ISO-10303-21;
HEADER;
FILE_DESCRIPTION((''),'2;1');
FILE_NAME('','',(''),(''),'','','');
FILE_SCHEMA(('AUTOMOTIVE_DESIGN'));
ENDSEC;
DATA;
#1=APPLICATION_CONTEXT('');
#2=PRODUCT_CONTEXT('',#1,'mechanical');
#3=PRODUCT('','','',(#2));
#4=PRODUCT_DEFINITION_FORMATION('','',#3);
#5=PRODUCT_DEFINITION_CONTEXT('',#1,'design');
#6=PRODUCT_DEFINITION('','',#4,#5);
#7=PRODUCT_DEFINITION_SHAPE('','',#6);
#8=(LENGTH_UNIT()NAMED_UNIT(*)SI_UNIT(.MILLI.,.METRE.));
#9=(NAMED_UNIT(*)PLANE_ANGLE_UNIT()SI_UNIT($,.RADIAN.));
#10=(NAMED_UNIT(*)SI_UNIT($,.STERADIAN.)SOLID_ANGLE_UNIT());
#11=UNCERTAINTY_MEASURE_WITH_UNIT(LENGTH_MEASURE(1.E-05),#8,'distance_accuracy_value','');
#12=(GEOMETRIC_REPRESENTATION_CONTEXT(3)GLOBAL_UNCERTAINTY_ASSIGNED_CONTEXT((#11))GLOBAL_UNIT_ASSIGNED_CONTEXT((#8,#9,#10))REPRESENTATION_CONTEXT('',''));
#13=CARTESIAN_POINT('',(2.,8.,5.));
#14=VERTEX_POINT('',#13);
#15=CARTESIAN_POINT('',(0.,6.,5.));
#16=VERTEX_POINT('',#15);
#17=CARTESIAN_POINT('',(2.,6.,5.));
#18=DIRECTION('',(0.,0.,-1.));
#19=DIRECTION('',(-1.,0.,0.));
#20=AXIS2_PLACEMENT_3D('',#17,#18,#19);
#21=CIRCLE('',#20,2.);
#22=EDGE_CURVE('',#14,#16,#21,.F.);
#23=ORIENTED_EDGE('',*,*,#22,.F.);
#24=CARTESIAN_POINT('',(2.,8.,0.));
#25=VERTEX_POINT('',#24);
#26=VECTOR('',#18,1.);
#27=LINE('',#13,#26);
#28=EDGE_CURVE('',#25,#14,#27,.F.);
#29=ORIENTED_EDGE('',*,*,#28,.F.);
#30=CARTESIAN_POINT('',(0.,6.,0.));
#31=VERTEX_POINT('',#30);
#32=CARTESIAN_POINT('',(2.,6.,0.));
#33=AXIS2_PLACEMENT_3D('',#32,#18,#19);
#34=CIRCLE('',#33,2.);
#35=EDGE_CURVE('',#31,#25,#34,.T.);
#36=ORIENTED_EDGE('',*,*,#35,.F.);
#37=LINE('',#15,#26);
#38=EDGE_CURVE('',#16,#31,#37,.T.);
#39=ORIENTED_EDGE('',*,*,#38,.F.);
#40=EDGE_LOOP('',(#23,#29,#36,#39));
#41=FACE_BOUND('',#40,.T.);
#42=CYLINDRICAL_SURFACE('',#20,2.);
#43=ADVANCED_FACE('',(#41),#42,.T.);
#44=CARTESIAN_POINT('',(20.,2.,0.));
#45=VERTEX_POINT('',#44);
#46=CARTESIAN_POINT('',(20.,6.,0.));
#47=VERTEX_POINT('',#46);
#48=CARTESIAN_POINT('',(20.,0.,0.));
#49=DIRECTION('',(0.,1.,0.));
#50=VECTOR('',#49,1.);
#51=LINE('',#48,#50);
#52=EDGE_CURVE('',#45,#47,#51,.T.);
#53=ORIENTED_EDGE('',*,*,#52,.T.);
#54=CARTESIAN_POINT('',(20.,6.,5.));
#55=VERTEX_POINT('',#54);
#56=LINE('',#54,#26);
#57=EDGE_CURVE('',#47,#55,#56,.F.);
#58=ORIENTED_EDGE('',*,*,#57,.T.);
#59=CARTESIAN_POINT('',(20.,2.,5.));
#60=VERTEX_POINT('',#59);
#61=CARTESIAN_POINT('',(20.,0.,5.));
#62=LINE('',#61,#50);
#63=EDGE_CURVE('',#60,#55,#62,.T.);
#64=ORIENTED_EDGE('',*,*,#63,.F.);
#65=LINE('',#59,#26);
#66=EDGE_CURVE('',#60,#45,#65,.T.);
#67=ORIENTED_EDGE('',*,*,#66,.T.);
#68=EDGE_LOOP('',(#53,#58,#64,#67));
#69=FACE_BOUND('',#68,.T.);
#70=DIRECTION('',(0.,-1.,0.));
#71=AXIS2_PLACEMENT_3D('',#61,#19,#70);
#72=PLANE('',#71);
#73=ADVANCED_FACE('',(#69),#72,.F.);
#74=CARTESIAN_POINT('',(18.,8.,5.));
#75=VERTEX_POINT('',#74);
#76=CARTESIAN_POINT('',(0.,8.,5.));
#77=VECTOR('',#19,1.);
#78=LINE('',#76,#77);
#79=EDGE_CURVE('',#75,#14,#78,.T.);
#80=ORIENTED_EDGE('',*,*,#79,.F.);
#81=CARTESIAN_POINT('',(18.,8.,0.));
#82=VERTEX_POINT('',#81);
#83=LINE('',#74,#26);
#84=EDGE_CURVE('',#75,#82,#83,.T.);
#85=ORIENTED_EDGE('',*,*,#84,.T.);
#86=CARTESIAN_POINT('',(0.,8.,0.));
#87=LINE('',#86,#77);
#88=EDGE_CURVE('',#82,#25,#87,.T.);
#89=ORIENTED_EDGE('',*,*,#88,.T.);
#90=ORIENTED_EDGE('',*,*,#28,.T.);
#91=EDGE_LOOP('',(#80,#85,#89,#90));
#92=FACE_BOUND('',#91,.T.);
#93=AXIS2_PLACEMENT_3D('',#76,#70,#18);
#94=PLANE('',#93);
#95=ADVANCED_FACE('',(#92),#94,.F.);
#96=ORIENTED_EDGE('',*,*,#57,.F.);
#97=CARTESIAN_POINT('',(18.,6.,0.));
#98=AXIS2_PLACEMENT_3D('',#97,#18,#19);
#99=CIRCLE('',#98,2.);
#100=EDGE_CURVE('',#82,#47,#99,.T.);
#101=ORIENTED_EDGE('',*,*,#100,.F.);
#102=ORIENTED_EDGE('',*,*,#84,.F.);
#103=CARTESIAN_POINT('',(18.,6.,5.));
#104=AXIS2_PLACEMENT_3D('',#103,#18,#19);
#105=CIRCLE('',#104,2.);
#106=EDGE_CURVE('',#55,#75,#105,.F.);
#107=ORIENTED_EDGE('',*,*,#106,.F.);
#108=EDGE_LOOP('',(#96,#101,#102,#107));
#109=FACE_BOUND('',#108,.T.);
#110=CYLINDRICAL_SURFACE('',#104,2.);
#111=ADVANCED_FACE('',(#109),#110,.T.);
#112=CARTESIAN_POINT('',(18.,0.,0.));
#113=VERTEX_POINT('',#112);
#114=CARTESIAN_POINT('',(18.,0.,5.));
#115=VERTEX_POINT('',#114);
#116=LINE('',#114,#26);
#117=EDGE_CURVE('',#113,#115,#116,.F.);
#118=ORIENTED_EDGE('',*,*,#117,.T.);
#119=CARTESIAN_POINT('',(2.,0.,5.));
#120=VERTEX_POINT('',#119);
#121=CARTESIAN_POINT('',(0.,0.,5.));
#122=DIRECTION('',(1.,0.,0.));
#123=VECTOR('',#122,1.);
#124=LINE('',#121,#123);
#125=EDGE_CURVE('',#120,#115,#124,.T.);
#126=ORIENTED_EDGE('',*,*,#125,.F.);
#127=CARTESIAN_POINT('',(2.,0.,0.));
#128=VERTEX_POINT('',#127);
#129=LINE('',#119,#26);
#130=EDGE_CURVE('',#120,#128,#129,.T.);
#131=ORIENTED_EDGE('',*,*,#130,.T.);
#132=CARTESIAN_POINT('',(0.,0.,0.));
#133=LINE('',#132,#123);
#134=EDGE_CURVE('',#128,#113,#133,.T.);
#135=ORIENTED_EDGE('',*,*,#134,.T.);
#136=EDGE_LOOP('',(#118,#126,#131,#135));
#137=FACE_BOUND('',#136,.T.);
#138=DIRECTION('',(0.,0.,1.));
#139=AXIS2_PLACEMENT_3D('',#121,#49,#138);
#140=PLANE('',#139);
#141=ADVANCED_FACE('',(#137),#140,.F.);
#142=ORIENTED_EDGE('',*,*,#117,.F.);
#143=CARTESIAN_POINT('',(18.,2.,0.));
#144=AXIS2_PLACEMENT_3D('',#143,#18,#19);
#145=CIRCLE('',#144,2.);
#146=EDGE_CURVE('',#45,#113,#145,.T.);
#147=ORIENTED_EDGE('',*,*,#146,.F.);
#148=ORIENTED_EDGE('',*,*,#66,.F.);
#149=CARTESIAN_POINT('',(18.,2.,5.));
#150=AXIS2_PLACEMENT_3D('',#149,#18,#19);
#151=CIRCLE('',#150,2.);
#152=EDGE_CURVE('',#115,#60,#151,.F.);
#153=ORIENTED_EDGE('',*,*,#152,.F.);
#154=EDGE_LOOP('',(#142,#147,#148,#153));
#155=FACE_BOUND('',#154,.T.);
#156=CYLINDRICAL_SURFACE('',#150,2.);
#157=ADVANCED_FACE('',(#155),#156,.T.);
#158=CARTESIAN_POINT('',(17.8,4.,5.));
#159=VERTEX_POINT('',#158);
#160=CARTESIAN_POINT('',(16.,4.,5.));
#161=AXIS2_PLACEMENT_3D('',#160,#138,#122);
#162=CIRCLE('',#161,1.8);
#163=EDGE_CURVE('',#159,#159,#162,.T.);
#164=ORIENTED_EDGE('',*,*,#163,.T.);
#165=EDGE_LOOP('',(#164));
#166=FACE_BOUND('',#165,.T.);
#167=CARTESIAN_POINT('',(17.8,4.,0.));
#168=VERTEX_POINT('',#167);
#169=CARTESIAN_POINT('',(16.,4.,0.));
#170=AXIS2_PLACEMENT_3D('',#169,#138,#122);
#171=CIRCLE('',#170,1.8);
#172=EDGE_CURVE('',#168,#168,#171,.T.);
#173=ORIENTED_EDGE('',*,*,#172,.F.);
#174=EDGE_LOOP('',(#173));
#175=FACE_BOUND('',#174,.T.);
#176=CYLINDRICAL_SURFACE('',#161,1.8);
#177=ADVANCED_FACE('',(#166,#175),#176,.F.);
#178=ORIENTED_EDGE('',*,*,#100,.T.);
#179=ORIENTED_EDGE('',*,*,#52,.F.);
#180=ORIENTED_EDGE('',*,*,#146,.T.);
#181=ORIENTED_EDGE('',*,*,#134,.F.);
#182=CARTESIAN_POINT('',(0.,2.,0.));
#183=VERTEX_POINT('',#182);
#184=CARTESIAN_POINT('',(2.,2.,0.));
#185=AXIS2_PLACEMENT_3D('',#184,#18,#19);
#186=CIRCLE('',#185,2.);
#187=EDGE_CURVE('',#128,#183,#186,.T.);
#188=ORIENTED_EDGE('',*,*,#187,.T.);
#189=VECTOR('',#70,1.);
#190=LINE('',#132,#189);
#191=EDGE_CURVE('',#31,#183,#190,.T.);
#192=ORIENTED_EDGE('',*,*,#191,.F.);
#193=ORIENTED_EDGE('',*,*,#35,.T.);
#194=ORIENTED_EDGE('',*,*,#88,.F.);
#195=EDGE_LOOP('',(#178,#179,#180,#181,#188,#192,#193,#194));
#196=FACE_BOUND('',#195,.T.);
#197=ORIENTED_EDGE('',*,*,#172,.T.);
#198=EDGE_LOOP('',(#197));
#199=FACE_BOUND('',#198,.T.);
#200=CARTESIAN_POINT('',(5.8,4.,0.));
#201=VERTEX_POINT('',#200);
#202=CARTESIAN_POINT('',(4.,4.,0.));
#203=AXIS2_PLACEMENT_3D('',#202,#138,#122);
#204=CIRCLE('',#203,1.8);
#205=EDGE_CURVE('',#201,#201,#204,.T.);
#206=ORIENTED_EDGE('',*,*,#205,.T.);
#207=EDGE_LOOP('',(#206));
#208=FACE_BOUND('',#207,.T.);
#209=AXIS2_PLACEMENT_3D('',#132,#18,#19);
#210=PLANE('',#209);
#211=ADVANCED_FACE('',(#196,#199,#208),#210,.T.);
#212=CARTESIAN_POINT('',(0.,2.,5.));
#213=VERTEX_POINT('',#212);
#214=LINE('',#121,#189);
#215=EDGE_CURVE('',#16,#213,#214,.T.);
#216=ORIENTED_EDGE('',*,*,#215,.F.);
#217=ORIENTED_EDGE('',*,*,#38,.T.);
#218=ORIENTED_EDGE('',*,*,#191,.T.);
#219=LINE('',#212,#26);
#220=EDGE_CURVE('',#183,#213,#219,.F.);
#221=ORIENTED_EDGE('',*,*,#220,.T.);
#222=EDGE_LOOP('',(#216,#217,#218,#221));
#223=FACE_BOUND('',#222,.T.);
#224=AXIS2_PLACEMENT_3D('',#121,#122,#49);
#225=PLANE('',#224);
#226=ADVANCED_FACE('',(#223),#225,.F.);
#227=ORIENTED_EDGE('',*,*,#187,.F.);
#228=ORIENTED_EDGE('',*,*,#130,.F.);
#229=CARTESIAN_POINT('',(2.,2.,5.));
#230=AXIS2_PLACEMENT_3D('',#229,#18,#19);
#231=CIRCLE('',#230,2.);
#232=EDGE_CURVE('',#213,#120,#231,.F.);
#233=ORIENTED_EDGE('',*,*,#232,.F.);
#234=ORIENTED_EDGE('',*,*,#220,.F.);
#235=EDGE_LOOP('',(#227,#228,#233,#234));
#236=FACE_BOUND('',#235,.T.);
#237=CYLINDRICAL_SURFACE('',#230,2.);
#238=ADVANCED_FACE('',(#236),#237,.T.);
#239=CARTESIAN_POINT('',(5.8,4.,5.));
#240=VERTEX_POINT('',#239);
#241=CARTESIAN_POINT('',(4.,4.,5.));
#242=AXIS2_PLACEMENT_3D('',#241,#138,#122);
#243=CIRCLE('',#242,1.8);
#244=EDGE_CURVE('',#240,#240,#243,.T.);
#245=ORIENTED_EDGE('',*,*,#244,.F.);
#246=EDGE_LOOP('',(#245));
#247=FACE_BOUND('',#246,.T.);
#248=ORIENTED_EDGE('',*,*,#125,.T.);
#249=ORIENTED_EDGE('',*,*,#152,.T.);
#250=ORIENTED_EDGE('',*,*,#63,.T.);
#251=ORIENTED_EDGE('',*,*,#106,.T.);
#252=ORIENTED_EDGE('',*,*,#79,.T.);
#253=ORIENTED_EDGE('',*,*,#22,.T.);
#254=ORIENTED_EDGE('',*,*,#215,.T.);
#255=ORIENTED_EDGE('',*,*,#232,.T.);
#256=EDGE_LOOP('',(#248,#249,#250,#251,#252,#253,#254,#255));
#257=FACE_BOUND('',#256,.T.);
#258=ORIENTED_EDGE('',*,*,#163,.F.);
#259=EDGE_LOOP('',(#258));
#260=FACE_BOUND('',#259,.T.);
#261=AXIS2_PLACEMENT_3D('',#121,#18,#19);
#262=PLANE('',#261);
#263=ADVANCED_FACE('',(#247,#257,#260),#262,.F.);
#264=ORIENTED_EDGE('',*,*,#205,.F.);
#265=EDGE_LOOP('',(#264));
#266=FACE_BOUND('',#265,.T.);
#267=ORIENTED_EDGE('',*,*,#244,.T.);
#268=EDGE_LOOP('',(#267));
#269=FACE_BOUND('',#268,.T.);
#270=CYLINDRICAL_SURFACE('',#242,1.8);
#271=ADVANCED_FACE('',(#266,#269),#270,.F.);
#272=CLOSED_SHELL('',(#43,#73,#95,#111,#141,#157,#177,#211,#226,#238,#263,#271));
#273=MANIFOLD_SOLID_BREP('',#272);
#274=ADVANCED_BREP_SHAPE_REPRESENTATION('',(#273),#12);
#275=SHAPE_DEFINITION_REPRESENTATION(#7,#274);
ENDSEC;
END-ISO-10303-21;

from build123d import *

# Parameters (mm, degrees)
SKETCH2_W            = 20
SKETCH2_H            = 8
BOSS_EXTRUDE1_DEPTH  = 5
M3_CLEARANCE_HOLE1_D = 3.6
FILLET1_R            = 2


with BuildPart() as part:
    # Sketch2 → Boss-Extrude1 (new body)
    with BuildSketch(Plane.XY):
        with Locations((10, 4)):
            Rectangle(SKETCH2_W, SKETCH2_H)
    extrude(amount=BOSS_EXTRUDE1_DEPTH)

    # M3 Clearance Hole1 (through all)
    with Locations(Plane.XY.offset(5)):
        with Locations((4, 4), (16, 4)):
            Hole(M3_CLEARANCE_HOLE1_D / 2)

    # Fillet1
    fillet1_edges = [part.edges().sort_by_distance(p)[0] for p in [
        (0, 8, 2.5),
        (20, 8, 2.5),
        (20, 0, 2.5),
        (0, 0, 2.5),
    ]]
    fillet(fillet1_edges, radius=FILLET1_R)


solid = part.part
